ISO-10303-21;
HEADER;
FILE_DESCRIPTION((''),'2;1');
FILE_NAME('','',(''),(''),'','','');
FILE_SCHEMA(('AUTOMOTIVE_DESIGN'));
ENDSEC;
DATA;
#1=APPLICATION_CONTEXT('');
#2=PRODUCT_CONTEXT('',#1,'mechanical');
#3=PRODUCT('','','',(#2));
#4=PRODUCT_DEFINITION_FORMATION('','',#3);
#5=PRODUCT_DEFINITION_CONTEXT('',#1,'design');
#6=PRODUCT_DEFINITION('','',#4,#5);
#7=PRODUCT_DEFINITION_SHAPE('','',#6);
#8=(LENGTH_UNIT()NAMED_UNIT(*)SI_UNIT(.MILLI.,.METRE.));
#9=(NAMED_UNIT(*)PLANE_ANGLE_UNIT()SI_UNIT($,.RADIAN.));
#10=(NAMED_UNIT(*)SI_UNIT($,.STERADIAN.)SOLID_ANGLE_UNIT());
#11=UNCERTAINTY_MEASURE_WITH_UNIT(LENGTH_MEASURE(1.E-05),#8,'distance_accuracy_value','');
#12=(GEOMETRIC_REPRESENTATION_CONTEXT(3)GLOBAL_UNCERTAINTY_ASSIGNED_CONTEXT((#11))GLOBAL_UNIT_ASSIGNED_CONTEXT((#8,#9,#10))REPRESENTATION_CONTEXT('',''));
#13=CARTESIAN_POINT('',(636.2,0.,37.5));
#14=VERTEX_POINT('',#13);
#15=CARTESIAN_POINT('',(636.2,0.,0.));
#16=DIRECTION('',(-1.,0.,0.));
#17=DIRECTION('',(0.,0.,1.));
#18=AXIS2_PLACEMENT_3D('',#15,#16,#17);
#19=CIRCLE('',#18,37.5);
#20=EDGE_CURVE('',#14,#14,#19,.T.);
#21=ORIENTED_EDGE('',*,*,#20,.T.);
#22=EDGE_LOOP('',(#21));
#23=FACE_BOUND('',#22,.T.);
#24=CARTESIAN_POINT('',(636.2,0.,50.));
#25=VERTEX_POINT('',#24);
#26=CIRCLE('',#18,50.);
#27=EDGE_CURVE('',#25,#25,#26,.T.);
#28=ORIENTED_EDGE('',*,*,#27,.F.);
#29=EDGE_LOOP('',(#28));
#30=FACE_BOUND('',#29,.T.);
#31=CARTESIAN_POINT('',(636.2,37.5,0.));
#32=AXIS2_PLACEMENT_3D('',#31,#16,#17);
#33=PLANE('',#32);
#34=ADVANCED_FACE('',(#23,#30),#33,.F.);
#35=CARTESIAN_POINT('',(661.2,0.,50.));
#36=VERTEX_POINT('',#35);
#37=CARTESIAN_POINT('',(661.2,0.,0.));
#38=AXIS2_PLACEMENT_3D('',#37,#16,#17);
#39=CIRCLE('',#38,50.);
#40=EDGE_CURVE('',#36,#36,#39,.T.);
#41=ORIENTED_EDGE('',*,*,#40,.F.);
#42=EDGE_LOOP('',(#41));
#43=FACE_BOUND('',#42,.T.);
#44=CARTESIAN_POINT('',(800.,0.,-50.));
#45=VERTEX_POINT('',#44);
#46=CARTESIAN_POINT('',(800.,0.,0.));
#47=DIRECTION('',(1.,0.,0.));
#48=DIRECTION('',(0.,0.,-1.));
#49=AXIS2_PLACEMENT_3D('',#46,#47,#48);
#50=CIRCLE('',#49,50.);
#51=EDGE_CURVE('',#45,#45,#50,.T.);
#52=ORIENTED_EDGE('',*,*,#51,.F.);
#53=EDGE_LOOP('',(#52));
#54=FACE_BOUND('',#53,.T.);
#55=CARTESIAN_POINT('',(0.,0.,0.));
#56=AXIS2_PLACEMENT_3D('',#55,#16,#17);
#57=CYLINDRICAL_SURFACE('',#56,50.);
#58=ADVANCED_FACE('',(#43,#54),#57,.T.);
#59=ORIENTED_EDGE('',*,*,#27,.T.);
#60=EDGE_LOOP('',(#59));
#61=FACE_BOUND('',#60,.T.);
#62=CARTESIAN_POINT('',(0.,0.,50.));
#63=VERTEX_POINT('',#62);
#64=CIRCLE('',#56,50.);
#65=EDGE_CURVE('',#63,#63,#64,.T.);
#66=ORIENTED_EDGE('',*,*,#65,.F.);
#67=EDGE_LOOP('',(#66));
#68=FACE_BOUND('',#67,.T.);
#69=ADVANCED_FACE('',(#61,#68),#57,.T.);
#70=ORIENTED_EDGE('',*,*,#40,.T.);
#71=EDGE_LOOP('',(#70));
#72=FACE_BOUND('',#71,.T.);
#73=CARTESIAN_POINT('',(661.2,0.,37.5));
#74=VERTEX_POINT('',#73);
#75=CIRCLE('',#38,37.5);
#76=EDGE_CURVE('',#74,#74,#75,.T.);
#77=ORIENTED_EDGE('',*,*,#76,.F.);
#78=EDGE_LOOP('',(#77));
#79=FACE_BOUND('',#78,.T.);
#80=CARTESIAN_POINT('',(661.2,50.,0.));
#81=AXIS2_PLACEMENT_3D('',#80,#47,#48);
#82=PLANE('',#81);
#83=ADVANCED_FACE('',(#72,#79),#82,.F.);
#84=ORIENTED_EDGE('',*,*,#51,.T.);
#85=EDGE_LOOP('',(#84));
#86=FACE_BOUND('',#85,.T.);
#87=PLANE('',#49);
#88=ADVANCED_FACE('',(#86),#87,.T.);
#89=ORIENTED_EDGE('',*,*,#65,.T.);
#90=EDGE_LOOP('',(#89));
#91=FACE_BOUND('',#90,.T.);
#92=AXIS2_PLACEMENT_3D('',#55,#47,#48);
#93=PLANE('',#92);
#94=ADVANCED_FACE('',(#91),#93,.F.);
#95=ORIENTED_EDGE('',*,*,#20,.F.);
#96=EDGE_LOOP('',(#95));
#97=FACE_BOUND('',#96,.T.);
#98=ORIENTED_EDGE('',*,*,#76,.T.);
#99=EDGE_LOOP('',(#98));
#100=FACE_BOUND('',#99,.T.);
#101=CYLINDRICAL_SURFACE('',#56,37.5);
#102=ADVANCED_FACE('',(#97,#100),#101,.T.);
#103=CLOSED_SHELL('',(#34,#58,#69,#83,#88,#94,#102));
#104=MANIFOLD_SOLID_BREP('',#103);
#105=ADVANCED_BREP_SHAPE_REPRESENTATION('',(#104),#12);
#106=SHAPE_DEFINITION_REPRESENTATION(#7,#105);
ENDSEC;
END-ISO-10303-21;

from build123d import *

# Parameters (mm, degrees)
BOSS_EXTRUDE1_START = 100
SKETCH4_R           = 50
BOSS_EXTRUDE1_DEPTH = 100


with BuildPart() as part:
    # Sketch3 → Revolve1 (revolve)
    with BuildSketch(Plane.XY, mode=Mode.PRIVATE) as revolve1_sk:
        Polygon((0, 0), (0, 50), (2.676183962, 50), (636.2, 50), (636.2, 37.5), (661.2, 37.5), (661.2, 50), (700, 50), (700, 0), align=None)
    revolve(revolve1_sk.sketch.rotate(Axis((0, 0, 0), (1, 0, 0)), 90), axis=Axis((0, 0, 0), (1, 0, 0)))

    # Sketch4 → Boss-Extrude1 (add)
    with BuildSketch(Plane(origin=(700, 0, 0), x_dir=(0, 0, -1), z_dir=(1, 0, 0)).offset(BOSS_EXTRUDE1_START)):
        with Locations(Location((0, 0, 0), (0, 0, 180))):
            Circle(SKETCH4_R)
    extrude(amount=-BOSS_EXTRUDE1_DEPTH)


solid = part.part
